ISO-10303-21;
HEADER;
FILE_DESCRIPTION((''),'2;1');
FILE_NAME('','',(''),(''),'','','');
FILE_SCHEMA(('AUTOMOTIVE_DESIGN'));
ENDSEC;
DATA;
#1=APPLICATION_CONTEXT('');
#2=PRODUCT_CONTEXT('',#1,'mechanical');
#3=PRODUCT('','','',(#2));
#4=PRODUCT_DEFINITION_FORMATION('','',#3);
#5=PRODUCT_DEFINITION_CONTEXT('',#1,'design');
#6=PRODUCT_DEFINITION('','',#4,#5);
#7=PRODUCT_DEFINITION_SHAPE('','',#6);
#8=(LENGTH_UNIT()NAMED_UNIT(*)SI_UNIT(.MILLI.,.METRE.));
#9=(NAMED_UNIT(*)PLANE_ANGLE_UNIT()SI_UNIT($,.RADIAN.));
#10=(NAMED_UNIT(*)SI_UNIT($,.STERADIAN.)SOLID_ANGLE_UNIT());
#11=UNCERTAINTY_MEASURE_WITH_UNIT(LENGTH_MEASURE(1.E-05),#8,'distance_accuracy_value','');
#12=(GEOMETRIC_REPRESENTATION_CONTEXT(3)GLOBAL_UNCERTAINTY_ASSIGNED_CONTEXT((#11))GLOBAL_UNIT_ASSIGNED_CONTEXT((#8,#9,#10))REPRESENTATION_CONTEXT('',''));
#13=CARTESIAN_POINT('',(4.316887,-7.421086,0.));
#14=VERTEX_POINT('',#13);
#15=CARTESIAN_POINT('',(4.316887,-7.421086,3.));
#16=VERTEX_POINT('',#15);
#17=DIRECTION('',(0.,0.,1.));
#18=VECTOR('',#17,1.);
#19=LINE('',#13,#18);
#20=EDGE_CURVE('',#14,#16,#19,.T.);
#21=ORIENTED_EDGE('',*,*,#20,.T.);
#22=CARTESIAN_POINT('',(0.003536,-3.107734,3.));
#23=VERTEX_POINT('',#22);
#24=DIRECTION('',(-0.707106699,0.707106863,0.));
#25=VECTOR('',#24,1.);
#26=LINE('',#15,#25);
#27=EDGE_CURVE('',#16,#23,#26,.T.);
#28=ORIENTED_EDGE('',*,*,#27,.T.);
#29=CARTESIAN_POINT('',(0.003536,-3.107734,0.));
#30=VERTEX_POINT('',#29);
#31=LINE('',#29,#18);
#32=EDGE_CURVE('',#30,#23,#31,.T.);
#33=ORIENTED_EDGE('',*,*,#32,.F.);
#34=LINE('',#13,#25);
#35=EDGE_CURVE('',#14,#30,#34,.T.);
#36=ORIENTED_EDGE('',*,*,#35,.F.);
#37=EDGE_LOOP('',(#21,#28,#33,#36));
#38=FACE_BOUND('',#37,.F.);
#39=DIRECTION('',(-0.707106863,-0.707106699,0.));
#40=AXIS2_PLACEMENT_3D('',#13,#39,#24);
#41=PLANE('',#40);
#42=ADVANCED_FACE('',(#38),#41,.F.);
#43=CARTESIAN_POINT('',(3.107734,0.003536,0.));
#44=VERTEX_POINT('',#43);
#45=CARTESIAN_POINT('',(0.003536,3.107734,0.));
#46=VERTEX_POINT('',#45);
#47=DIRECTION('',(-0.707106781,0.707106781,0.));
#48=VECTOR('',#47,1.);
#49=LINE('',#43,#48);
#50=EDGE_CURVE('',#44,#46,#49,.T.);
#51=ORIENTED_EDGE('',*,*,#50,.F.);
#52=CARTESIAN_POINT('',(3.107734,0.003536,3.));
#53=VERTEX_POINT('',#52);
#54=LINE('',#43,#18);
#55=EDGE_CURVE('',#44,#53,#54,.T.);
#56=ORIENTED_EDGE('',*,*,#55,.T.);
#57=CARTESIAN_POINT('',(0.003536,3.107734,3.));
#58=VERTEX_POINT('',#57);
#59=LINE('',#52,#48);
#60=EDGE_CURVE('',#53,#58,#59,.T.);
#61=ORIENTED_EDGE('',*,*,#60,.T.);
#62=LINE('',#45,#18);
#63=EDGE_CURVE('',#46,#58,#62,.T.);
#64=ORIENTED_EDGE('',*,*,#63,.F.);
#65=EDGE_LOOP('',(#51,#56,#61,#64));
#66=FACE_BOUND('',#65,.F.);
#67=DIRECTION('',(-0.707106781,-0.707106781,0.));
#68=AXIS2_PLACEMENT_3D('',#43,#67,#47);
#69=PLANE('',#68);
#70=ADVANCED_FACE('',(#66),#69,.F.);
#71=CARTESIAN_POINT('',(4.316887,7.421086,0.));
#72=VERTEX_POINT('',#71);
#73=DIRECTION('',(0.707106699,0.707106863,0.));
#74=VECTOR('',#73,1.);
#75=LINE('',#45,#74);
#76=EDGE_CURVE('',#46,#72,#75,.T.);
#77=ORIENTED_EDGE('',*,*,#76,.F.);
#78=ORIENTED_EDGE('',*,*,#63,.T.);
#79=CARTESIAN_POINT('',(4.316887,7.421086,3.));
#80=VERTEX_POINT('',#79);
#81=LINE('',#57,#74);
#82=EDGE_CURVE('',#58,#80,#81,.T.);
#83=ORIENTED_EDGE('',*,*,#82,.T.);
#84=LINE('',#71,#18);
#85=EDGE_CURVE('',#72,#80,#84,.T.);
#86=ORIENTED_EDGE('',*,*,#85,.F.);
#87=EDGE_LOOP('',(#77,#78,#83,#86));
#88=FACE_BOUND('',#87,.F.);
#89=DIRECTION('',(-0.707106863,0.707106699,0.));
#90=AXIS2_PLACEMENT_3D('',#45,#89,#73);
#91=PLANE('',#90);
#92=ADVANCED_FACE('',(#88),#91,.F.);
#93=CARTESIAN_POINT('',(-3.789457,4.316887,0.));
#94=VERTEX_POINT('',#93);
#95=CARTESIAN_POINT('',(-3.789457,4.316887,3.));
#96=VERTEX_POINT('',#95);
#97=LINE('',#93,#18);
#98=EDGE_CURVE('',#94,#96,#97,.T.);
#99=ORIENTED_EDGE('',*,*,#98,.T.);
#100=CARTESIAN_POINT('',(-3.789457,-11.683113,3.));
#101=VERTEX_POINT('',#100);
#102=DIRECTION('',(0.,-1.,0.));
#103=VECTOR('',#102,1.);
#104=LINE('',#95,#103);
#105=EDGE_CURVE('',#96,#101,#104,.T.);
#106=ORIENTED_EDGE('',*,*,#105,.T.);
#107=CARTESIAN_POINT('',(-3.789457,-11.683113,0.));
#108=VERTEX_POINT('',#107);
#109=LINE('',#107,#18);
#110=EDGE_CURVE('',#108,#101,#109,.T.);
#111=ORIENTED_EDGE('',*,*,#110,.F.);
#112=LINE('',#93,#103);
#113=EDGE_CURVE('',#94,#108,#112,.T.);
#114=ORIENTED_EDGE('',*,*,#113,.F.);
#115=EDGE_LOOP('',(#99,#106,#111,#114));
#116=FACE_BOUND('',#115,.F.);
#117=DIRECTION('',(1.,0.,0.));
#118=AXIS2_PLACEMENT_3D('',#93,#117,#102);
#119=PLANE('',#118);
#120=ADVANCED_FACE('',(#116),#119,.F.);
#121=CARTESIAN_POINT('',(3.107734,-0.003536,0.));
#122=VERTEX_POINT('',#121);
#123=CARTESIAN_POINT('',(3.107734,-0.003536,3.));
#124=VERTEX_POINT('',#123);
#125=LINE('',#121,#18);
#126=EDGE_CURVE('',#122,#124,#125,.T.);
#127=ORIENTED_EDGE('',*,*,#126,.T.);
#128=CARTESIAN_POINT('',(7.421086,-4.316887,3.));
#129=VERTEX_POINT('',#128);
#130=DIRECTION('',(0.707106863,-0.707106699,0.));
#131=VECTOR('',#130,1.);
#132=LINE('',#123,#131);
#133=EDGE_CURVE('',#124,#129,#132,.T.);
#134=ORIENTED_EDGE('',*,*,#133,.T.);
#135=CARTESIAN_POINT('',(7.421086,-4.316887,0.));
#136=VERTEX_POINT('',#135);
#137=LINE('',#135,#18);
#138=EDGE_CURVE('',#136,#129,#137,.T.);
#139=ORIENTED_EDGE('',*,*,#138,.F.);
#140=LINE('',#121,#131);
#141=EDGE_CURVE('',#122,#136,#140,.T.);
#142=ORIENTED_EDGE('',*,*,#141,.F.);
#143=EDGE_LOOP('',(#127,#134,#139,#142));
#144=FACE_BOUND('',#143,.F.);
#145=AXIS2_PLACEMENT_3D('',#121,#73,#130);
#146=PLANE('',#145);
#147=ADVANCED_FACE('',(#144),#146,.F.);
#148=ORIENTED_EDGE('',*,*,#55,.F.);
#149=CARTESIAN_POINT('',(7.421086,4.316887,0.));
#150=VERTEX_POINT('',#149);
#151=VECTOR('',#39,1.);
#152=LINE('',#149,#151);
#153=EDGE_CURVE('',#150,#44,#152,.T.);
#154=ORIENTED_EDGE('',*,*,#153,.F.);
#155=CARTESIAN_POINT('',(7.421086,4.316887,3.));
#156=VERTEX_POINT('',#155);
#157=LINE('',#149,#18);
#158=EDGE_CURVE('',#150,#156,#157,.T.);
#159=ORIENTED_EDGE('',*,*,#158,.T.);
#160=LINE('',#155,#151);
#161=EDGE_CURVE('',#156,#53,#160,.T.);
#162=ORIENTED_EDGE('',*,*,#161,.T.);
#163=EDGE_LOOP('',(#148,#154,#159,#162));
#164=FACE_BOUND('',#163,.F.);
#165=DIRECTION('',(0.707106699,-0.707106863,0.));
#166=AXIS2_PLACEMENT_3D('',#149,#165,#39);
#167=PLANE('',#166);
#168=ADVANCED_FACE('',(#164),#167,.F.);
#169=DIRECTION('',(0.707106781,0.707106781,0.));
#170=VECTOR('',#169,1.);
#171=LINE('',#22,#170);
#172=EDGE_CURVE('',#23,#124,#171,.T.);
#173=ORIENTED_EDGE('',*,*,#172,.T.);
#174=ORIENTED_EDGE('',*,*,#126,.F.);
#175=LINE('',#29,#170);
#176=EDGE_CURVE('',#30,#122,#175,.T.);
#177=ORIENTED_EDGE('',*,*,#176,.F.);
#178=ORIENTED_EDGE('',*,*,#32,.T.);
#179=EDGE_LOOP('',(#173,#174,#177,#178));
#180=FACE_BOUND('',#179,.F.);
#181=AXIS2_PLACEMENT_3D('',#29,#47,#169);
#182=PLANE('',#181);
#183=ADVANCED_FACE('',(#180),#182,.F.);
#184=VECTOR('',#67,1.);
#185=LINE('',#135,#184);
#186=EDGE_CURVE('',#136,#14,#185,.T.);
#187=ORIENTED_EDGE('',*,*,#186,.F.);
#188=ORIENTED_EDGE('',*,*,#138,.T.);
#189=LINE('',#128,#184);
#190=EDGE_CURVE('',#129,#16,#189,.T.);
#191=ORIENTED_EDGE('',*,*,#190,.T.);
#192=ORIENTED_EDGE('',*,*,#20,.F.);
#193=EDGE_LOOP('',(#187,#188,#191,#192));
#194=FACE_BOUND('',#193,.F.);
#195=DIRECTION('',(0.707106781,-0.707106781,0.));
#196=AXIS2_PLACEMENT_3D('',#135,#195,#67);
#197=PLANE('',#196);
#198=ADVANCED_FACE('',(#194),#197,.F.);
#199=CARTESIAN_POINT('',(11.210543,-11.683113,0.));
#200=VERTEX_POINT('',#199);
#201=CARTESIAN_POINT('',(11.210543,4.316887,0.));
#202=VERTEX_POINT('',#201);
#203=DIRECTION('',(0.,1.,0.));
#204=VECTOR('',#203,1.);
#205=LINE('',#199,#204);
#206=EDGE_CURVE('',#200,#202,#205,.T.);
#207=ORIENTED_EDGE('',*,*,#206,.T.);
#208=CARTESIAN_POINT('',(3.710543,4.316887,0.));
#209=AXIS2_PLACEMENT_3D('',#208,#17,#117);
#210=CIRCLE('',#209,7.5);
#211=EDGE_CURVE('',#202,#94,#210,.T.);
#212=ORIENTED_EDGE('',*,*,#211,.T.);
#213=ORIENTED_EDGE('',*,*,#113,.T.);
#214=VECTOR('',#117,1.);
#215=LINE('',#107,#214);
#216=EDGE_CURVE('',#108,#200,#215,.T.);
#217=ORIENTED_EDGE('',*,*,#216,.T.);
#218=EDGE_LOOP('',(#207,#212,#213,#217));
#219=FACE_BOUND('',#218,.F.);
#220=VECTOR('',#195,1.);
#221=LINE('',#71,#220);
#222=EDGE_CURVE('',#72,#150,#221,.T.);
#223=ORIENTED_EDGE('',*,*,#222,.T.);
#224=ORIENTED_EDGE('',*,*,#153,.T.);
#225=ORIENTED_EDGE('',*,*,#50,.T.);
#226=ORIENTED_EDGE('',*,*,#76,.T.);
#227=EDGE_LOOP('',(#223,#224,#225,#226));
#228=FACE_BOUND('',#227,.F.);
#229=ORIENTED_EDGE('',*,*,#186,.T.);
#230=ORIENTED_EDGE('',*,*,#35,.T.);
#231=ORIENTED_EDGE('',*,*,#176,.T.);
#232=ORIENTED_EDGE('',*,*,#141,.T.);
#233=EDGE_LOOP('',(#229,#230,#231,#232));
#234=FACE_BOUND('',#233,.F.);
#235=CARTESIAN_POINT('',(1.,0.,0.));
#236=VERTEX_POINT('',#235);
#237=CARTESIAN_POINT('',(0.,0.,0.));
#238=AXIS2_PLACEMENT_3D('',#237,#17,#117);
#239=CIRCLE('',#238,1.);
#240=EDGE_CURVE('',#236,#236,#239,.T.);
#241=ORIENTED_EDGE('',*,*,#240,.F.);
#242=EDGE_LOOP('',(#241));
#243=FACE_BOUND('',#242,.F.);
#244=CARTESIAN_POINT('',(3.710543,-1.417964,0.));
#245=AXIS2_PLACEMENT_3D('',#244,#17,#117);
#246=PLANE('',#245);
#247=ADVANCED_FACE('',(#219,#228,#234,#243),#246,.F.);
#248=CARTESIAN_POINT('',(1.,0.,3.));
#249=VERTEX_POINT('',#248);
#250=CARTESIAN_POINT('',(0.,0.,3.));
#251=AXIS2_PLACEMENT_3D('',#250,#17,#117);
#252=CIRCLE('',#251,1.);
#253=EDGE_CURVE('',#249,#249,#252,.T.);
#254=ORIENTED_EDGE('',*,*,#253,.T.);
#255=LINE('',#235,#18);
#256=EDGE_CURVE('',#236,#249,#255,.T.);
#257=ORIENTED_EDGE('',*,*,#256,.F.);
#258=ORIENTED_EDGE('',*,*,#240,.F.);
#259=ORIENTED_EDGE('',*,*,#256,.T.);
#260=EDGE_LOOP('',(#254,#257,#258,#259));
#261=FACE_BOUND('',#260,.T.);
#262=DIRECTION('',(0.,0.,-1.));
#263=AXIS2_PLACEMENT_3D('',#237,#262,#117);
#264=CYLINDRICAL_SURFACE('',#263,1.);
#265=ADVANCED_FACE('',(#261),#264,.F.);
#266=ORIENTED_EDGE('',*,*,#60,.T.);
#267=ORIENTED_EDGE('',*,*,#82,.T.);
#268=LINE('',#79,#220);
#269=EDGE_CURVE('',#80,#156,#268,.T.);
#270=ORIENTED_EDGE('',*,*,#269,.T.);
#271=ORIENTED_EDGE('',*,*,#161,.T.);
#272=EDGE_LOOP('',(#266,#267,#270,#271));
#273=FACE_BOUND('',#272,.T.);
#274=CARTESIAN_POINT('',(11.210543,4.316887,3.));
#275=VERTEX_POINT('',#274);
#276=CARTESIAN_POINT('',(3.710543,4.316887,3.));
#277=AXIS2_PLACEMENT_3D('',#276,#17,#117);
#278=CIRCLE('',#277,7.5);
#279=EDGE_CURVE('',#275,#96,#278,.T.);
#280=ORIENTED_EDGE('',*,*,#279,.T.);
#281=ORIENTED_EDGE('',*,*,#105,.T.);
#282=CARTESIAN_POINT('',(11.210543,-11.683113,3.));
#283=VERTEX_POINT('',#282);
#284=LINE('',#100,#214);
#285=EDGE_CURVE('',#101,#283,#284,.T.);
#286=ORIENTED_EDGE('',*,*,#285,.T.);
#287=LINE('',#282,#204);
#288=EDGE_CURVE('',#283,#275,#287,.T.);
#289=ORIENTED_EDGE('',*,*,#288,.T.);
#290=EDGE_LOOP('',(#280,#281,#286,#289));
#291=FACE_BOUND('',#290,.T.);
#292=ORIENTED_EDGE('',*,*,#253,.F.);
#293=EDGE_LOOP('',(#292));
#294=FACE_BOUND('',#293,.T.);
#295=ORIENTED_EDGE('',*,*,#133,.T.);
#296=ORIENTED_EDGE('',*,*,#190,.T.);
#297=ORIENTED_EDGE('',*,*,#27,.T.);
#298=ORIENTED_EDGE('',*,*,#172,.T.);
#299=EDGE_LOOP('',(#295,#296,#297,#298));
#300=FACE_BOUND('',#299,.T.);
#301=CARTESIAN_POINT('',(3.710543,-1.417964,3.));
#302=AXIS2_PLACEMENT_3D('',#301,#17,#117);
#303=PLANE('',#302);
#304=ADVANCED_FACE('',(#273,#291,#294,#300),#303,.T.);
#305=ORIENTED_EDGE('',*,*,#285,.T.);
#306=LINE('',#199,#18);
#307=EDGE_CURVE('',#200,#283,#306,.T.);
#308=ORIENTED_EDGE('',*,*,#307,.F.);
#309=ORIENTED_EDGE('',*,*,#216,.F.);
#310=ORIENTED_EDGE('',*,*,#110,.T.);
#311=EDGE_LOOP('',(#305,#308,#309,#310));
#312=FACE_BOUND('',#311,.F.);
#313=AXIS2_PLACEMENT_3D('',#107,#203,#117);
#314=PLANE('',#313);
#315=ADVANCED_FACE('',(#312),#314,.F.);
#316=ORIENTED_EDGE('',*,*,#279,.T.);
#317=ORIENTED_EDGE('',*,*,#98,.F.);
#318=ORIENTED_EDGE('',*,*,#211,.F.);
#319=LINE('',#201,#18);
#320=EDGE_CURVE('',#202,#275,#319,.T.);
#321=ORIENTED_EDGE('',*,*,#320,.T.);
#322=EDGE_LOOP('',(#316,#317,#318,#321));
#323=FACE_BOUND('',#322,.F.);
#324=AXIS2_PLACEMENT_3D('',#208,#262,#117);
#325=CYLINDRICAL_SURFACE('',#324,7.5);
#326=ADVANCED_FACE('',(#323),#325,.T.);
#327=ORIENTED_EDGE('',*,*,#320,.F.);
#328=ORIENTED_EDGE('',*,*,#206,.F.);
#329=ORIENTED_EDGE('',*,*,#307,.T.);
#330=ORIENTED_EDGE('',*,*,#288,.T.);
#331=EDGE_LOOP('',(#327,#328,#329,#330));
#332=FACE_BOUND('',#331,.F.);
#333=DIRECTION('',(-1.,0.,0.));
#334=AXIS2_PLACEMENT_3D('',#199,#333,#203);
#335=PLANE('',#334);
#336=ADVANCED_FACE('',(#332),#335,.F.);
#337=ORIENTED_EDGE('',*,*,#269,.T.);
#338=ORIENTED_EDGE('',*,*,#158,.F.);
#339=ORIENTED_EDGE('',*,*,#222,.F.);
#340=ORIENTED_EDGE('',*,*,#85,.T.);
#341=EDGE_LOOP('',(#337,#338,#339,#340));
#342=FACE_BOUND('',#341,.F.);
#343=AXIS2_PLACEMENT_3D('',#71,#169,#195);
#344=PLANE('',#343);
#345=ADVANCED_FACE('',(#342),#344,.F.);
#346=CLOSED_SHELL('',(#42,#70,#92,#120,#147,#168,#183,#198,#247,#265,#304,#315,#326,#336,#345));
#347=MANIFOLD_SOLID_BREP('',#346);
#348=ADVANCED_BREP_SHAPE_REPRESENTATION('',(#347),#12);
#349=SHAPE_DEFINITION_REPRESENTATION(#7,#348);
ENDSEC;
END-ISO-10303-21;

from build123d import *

# Parameters (mm, degrees)
F0_R     = 1
F1_DEPTH = 3


with BuildPart() as f1:
    # F0 (on Top) → F1 (new body)
    with BuildSketch(Plane.XY):
        with BuildLine():
            Line((11.210543, -11.683113), (11.210543, 4.316887))
            ThreePointArc((11.210543, 4.316887), (3.710543, 11.816887), (-3.789457, 4.316887))
            Line((-3.789457, 4.316887), (-3.789457, -11.683113))
            Line((-3.789457, -11.683113), (11.210543, -11.683113))
        make_face()
        with BuildLine():
            ThreePointArc((1.555635, 1.555635), (2.032535, 0.841904), (2.2, 0))
            ThreePointArc((2.2, 0), (2.032535, -0.841904), (1.555635, -1.555635))
            ThreePointArc((1.555635, -1.555635), (-2.2, 0), (1.555635, 1.555635))
        make_face(mode=Mode.SUBTRACT)
        Polygon((0.003536, -3.107734), (1.555635, -1.555635), (3.107734, -0.003536), (7.421086, -4.316887), (4.316887, -7.421086), align=None, mode=Mode.SUBTRACT)
        Polygon((3.107734, 0.003536), (1.555635, 1.555635), (0.003536, 3.107734), (4.316887, 7.421086), (7.421086, 4.316887), align=None, mode=Mode.SUBTRACT)
        with BuildLine():
            ThreePointArc((1.555635, -1.555635), (2.032535, -0.841904), (2.2, 0))
            ThreePointArc((2.2, 0), (2.032535, 0.841904), (1.555635, 1.555635))
            ThreePointArc((1.555635, 1.555635), (-2.2, 0), (1.555635, -1.555635))
        make_face()
        Circle(F0_R, mode=Mode.SUBTRACT)
    extrude(amount=F1_DEPTH)


solid = f1.part
